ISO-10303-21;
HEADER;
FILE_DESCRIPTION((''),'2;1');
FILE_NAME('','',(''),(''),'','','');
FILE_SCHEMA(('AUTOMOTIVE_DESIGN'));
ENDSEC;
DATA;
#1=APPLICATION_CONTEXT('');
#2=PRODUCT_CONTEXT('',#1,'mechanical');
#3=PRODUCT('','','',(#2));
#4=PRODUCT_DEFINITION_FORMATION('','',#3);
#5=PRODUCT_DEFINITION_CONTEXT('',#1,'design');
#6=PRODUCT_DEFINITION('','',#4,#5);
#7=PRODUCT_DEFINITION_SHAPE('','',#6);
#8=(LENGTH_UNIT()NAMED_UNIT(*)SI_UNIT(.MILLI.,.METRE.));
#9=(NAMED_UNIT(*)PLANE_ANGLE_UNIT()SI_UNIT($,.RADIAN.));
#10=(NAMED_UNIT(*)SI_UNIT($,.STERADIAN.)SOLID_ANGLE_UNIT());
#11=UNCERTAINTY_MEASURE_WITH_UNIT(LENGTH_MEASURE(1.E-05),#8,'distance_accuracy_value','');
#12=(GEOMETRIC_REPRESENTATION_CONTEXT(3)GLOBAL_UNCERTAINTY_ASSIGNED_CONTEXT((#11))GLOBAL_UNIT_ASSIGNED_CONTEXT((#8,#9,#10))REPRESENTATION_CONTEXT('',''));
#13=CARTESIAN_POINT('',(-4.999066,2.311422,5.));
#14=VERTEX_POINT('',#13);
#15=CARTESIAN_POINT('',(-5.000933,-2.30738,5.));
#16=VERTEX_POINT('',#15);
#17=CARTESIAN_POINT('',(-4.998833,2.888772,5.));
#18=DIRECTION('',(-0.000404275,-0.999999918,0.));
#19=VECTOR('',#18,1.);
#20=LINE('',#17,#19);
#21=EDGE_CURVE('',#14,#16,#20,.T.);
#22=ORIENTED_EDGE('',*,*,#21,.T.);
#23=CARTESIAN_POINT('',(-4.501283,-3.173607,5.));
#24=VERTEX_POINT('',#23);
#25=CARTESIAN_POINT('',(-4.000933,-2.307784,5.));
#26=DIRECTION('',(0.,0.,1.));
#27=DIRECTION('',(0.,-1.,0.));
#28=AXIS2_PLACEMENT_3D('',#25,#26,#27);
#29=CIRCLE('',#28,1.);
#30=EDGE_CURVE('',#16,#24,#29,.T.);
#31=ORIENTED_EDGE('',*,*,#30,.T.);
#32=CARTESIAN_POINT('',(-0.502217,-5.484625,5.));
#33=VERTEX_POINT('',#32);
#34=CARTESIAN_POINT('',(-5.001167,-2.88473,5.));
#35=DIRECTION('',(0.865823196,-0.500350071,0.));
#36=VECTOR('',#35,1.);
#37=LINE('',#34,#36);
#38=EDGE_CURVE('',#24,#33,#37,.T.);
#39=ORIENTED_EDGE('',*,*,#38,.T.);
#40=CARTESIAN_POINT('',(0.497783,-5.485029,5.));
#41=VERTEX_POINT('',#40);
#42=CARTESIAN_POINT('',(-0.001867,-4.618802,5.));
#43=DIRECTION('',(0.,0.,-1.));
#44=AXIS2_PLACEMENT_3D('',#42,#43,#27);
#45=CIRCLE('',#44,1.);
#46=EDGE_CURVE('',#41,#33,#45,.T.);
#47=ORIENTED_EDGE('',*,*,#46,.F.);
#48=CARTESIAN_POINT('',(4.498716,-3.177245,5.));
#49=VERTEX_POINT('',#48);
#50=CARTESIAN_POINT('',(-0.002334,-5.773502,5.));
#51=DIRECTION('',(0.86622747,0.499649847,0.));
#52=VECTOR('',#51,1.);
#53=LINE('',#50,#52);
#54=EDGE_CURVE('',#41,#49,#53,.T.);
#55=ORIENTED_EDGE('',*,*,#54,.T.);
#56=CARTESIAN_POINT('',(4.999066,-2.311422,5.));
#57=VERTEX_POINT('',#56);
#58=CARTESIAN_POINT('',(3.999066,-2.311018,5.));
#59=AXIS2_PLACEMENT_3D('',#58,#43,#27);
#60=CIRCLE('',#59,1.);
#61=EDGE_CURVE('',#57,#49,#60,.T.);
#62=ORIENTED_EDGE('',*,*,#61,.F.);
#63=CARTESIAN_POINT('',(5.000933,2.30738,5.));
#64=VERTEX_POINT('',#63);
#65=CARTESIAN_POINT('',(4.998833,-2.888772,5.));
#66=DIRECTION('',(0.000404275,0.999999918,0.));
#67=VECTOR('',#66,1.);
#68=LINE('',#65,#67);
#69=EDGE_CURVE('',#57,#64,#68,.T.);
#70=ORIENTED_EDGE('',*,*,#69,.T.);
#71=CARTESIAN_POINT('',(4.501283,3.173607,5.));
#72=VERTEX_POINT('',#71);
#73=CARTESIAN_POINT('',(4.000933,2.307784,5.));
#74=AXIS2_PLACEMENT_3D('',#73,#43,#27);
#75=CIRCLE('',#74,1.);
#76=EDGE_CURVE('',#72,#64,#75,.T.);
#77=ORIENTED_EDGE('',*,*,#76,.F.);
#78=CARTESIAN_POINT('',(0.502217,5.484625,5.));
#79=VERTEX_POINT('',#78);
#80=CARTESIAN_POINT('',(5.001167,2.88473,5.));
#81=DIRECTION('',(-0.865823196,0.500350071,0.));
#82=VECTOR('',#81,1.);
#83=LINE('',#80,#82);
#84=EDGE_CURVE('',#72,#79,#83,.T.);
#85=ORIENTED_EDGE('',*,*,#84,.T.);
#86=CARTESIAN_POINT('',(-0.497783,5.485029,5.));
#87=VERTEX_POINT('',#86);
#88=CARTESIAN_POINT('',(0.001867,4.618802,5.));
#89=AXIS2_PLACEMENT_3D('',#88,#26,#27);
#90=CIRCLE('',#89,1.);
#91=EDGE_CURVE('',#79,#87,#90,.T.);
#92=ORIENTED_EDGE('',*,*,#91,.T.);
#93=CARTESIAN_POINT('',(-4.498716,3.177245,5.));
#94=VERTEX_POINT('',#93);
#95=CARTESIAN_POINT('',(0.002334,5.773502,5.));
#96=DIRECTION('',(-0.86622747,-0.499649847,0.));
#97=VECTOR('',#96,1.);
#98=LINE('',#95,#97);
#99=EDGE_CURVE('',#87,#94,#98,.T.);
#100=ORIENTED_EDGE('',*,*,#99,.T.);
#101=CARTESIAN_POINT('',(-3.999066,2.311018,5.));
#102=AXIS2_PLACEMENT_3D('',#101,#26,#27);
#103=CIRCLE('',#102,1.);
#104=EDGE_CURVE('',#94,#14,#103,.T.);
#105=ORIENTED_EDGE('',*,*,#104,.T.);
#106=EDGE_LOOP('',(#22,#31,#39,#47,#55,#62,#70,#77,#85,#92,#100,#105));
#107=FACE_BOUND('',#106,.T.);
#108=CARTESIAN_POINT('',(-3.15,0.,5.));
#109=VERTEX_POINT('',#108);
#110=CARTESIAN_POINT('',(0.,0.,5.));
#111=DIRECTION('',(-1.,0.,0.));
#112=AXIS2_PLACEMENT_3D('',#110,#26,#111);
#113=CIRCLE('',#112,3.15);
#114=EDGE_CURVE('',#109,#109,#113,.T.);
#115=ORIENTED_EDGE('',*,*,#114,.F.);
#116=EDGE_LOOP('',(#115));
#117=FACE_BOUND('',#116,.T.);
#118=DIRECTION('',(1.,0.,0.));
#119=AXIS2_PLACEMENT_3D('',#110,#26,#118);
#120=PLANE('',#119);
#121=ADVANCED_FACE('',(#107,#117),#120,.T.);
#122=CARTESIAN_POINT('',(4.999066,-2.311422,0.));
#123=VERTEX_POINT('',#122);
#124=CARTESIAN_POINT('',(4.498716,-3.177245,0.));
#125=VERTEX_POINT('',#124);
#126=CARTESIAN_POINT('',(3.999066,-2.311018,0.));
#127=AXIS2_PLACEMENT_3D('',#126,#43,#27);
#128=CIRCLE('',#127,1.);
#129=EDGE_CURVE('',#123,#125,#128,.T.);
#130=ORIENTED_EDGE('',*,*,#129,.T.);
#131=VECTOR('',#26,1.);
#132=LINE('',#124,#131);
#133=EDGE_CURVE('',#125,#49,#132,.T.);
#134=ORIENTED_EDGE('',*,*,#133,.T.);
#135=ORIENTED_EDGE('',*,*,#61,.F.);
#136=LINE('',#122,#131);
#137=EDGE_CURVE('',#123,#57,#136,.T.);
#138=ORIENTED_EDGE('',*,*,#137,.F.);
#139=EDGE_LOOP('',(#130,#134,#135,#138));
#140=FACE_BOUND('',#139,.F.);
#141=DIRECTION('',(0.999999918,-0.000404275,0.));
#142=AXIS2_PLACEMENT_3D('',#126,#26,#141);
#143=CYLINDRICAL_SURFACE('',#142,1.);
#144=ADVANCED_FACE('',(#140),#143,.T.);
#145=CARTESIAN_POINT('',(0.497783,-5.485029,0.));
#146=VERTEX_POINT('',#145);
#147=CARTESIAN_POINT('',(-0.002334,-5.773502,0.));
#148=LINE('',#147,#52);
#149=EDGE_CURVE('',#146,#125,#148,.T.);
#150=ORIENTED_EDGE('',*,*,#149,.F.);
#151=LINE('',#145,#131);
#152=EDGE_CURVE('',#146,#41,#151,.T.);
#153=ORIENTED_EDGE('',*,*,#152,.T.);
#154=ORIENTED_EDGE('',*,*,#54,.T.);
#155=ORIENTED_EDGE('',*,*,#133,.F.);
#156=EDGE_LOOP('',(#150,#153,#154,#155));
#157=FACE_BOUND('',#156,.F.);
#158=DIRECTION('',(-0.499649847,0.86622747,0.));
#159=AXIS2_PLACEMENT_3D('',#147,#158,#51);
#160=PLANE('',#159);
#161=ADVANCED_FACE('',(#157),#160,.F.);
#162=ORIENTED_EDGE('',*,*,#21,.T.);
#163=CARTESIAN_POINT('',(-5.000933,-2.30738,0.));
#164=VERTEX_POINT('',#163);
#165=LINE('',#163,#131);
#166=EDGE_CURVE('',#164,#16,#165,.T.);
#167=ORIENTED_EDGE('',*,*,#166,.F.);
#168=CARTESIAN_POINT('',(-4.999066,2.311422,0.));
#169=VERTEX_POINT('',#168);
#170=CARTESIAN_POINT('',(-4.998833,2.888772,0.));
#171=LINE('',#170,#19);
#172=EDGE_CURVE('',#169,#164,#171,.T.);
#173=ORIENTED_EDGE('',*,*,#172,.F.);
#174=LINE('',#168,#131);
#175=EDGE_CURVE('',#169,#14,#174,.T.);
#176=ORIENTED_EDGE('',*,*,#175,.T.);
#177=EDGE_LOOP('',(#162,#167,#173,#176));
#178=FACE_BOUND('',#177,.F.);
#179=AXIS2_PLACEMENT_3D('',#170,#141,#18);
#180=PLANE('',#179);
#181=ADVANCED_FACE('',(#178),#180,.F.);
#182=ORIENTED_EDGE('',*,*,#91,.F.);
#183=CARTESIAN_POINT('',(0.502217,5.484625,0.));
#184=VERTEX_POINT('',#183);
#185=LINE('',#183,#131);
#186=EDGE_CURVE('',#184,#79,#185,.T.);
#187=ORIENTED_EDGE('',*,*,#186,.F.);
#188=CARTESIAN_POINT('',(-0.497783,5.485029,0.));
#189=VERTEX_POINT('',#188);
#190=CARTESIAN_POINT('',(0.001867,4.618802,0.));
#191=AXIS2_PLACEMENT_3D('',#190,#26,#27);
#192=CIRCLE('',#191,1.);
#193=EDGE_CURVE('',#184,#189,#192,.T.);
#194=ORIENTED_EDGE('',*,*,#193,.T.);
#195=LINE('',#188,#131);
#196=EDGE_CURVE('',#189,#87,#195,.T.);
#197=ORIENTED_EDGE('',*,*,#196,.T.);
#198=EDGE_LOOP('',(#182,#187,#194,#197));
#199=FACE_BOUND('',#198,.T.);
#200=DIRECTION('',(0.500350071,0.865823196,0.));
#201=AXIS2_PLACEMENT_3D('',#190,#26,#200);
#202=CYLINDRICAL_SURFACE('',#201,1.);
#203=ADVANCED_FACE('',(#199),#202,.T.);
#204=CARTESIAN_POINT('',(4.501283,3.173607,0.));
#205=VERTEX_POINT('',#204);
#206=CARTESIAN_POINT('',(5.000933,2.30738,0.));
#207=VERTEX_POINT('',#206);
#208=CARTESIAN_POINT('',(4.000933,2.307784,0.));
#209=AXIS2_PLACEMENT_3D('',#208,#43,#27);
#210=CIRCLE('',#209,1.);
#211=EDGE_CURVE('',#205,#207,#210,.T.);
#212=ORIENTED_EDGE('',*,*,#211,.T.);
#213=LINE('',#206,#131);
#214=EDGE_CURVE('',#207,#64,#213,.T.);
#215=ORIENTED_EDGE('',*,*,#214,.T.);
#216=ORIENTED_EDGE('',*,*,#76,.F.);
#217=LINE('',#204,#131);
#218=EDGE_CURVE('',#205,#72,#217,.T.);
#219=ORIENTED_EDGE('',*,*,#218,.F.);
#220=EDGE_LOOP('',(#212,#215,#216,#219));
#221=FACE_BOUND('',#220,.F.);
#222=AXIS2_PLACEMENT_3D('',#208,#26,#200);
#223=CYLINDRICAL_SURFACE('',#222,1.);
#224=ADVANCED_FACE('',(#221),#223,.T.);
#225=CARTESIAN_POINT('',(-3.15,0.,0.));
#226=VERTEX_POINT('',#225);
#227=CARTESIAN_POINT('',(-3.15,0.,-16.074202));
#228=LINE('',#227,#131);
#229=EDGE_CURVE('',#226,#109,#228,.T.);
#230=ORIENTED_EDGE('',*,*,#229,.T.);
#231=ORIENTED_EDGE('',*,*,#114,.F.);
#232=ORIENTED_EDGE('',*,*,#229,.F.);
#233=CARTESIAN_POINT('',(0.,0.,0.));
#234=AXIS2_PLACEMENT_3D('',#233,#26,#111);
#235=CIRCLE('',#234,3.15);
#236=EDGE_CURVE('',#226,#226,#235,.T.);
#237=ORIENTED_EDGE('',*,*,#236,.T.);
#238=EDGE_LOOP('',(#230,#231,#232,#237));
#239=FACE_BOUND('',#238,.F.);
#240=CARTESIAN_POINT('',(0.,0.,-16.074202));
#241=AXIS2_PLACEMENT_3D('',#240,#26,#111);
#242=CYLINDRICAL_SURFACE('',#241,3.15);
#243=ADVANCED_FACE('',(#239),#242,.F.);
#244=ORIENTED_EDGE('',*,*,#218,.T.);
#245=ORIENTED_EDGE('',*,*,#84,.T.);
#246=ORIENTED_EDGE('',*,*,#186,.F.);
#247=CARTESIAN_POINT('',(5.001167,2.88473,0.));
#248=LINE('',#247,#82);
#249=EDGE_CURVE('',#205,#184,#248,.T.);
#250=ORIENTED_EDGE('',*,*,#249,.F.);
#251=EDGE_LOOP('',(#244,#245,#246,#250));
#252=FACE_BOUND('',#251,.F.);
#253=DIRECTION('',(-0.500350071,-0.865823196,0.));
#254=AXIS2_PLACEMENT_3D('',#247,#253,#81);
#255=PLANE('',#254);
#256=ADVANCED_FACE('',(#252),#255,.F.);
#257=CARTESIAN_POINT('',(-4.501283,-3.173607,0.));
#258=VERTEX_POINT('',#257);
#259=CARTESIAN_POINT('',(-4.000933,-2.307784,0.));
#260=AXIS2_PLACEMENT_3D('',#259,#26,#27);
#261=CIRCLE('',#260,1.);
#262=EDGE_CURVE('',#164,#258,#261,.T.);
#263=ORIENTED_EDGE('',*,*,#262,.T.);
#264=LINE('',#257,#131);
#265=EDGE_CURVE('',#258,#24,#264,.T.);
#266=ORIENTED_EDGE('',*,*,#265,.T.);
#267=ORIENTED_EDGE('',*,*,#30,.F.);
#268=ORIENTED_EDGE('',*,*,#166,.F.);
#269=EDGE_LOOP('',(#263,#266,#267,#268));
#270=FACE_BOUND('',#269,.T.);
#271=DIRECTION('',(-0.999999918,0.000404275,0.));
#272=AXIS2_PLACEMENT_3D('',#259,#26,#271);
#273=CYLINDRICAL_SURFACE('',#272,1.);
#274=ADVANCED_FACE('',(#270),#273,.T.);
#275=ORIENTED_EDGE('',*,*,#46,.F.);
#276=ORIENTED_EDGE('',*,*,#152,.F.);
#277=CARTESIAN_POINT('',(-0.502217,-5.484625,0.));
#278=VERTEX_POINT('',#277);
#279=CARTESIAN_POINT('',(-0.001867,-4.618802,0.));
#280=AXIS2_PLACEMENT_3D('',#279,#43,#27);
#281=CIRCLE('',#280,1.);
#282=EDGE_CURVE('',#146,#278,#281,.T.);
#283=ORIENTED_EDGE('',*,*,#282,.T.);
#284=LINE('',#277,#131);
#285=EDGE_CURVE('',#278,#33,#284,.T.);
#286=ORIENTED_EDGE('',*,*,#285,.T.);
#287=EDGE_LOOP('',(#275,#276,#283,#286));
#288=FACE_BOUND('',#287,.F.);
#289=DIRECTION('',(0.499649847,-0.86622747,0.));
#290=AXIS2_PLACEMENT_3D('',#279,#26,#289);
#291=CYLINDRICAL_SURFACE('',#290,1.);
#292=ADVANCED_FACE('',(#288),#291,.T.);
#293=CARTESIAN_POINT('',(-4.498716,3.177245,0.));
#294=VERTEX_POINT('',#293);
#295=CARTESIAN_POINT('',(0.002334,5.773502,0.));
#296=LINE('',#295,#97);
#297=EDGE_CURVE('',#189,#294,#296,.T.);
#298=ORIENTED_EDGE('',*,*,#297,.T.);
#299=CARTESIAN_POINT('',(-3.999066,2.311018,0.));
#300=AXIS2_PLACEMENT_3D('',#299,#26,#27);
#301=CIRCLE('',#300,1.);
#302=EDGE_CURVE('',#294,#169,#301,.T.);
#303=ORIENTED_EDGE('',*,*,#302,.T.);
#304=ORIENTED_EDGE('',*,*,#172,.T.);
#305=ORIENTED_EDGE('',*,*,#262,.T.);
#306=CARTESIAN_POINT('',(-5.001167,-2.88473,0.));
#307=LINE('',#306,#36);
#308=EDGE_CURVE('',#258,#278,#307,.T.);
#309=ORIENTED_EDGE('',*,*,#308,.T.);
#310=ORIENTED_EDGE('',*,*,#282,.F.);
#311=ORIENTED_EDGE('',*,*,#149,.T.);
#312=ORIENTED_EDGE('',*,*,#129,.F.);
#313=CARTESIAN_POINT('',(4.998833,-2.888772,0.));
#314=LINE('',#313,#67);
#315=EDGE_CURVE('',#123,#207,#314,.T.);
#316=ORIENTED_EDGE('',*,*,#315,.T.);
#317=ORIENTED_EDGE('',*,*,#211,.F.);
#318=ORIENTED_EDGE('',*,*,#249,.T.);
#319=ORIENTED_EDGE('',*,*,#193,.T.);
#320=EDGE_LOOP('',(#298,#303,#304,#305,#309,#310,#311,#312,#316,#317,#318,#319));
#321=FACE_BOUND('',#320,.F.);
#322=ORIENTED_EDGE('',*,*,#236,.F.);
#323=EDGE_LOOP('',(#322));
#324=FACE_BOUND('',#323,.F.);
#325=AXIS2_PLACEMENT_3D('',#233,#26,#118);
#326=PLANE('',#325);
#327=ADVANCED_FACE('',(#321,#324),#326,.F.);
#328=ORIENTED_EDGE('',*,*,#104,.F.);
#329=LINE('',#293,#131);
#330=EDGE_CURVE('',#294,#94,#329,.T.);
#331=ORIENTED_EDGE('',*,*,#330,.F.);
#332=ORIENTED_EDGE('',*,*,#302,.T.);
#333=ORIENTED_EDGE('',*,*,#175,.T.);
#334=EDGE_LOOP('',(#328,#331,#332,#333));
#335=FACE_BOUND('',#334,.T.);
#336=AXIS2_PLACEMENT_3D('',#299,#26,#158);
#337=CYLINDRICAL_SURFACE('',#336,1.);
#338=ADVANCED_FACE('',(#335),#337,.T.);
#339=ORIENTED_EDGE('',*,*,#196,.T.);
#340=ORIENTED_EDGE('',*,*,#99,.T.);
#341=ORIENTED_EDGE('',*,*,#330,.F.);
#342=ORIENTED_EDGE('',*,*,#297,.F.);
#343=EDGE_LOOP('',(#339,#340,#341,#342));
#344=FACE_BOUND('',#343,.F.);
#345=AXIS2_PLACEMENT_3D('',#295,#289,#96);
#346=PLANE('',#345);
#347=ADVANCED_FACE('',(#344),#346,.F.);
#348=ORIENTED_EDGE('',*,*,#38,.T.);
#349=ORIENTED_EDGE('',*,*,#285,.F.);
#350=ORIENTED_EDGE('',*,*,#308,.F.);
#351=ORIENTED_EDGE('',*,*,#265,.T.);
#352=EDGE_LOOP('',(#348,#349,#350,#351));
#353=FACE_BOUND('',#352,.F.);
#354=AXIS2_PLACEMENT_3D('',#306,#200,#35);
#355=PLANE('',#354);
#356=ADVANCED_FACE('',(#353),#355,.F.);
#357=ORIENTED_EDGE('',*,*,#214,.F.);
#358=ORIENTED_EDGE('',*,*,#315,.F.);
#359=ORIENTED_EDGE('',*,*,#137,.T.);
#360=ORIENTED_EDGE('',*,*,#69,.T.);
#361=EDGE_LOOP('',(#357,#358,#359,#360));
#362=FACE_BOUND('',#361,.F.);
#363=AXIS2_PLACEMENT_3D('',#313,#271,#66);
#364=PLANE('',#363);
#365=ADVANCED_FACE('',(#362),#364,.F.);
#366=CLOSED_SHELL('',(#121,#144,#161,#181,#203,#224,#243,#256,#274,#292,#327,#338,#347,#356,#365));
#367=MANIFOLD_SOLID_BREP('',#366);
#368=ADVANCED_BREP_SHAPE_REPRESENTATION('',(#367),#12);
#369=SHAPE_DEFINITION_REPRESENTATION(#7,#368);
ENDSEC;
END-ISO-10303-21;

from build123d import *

# Parameters (mm, degrees)
F1_DEPTH = 5
F2_D     = 6.3
F3_R     = 1


with BuildPart() as f1:
    # F0 (on Top) → F1 (new body)
    with BuildSketch(Plane.XY):
        Polygon((5.0011666315, 2.8847297373), (0.0023340802, 5.7735022201), (-4.9988325513, 2.8887724828), (-5.0011666315, -2.8847297373), (-0.0023340802, -5.7735022201), (4.9988325513, -2.8887724828), align=None)
    extrude(amount=F1_DEPTH)

    # F2 (through all)
    with Locations(Plane(origin=(0, 0, 0), x_dir=(1, 0, 0), z_dir=(0, 0, -1))):
        with Locations((0, 0)):
            Hole(F2_D / 2)

    # F3
    f3_edges = [f1.edges().sort_by_distance(p)[0] for p in [
        (-0.002334, -5.773502, 2.5),
        (4.998833, -2.888772, 2.5),
        (5.001167, 2.88473, 2.5),
        (0.002334, 5.773502, 2.5),
        (-4.998833, 2.888772, 2.5),
        (-5.001167, -2.88473, 2.5),
    ]]
    fillet(f3_edges, radius=F3_R)


solid = f1.part
